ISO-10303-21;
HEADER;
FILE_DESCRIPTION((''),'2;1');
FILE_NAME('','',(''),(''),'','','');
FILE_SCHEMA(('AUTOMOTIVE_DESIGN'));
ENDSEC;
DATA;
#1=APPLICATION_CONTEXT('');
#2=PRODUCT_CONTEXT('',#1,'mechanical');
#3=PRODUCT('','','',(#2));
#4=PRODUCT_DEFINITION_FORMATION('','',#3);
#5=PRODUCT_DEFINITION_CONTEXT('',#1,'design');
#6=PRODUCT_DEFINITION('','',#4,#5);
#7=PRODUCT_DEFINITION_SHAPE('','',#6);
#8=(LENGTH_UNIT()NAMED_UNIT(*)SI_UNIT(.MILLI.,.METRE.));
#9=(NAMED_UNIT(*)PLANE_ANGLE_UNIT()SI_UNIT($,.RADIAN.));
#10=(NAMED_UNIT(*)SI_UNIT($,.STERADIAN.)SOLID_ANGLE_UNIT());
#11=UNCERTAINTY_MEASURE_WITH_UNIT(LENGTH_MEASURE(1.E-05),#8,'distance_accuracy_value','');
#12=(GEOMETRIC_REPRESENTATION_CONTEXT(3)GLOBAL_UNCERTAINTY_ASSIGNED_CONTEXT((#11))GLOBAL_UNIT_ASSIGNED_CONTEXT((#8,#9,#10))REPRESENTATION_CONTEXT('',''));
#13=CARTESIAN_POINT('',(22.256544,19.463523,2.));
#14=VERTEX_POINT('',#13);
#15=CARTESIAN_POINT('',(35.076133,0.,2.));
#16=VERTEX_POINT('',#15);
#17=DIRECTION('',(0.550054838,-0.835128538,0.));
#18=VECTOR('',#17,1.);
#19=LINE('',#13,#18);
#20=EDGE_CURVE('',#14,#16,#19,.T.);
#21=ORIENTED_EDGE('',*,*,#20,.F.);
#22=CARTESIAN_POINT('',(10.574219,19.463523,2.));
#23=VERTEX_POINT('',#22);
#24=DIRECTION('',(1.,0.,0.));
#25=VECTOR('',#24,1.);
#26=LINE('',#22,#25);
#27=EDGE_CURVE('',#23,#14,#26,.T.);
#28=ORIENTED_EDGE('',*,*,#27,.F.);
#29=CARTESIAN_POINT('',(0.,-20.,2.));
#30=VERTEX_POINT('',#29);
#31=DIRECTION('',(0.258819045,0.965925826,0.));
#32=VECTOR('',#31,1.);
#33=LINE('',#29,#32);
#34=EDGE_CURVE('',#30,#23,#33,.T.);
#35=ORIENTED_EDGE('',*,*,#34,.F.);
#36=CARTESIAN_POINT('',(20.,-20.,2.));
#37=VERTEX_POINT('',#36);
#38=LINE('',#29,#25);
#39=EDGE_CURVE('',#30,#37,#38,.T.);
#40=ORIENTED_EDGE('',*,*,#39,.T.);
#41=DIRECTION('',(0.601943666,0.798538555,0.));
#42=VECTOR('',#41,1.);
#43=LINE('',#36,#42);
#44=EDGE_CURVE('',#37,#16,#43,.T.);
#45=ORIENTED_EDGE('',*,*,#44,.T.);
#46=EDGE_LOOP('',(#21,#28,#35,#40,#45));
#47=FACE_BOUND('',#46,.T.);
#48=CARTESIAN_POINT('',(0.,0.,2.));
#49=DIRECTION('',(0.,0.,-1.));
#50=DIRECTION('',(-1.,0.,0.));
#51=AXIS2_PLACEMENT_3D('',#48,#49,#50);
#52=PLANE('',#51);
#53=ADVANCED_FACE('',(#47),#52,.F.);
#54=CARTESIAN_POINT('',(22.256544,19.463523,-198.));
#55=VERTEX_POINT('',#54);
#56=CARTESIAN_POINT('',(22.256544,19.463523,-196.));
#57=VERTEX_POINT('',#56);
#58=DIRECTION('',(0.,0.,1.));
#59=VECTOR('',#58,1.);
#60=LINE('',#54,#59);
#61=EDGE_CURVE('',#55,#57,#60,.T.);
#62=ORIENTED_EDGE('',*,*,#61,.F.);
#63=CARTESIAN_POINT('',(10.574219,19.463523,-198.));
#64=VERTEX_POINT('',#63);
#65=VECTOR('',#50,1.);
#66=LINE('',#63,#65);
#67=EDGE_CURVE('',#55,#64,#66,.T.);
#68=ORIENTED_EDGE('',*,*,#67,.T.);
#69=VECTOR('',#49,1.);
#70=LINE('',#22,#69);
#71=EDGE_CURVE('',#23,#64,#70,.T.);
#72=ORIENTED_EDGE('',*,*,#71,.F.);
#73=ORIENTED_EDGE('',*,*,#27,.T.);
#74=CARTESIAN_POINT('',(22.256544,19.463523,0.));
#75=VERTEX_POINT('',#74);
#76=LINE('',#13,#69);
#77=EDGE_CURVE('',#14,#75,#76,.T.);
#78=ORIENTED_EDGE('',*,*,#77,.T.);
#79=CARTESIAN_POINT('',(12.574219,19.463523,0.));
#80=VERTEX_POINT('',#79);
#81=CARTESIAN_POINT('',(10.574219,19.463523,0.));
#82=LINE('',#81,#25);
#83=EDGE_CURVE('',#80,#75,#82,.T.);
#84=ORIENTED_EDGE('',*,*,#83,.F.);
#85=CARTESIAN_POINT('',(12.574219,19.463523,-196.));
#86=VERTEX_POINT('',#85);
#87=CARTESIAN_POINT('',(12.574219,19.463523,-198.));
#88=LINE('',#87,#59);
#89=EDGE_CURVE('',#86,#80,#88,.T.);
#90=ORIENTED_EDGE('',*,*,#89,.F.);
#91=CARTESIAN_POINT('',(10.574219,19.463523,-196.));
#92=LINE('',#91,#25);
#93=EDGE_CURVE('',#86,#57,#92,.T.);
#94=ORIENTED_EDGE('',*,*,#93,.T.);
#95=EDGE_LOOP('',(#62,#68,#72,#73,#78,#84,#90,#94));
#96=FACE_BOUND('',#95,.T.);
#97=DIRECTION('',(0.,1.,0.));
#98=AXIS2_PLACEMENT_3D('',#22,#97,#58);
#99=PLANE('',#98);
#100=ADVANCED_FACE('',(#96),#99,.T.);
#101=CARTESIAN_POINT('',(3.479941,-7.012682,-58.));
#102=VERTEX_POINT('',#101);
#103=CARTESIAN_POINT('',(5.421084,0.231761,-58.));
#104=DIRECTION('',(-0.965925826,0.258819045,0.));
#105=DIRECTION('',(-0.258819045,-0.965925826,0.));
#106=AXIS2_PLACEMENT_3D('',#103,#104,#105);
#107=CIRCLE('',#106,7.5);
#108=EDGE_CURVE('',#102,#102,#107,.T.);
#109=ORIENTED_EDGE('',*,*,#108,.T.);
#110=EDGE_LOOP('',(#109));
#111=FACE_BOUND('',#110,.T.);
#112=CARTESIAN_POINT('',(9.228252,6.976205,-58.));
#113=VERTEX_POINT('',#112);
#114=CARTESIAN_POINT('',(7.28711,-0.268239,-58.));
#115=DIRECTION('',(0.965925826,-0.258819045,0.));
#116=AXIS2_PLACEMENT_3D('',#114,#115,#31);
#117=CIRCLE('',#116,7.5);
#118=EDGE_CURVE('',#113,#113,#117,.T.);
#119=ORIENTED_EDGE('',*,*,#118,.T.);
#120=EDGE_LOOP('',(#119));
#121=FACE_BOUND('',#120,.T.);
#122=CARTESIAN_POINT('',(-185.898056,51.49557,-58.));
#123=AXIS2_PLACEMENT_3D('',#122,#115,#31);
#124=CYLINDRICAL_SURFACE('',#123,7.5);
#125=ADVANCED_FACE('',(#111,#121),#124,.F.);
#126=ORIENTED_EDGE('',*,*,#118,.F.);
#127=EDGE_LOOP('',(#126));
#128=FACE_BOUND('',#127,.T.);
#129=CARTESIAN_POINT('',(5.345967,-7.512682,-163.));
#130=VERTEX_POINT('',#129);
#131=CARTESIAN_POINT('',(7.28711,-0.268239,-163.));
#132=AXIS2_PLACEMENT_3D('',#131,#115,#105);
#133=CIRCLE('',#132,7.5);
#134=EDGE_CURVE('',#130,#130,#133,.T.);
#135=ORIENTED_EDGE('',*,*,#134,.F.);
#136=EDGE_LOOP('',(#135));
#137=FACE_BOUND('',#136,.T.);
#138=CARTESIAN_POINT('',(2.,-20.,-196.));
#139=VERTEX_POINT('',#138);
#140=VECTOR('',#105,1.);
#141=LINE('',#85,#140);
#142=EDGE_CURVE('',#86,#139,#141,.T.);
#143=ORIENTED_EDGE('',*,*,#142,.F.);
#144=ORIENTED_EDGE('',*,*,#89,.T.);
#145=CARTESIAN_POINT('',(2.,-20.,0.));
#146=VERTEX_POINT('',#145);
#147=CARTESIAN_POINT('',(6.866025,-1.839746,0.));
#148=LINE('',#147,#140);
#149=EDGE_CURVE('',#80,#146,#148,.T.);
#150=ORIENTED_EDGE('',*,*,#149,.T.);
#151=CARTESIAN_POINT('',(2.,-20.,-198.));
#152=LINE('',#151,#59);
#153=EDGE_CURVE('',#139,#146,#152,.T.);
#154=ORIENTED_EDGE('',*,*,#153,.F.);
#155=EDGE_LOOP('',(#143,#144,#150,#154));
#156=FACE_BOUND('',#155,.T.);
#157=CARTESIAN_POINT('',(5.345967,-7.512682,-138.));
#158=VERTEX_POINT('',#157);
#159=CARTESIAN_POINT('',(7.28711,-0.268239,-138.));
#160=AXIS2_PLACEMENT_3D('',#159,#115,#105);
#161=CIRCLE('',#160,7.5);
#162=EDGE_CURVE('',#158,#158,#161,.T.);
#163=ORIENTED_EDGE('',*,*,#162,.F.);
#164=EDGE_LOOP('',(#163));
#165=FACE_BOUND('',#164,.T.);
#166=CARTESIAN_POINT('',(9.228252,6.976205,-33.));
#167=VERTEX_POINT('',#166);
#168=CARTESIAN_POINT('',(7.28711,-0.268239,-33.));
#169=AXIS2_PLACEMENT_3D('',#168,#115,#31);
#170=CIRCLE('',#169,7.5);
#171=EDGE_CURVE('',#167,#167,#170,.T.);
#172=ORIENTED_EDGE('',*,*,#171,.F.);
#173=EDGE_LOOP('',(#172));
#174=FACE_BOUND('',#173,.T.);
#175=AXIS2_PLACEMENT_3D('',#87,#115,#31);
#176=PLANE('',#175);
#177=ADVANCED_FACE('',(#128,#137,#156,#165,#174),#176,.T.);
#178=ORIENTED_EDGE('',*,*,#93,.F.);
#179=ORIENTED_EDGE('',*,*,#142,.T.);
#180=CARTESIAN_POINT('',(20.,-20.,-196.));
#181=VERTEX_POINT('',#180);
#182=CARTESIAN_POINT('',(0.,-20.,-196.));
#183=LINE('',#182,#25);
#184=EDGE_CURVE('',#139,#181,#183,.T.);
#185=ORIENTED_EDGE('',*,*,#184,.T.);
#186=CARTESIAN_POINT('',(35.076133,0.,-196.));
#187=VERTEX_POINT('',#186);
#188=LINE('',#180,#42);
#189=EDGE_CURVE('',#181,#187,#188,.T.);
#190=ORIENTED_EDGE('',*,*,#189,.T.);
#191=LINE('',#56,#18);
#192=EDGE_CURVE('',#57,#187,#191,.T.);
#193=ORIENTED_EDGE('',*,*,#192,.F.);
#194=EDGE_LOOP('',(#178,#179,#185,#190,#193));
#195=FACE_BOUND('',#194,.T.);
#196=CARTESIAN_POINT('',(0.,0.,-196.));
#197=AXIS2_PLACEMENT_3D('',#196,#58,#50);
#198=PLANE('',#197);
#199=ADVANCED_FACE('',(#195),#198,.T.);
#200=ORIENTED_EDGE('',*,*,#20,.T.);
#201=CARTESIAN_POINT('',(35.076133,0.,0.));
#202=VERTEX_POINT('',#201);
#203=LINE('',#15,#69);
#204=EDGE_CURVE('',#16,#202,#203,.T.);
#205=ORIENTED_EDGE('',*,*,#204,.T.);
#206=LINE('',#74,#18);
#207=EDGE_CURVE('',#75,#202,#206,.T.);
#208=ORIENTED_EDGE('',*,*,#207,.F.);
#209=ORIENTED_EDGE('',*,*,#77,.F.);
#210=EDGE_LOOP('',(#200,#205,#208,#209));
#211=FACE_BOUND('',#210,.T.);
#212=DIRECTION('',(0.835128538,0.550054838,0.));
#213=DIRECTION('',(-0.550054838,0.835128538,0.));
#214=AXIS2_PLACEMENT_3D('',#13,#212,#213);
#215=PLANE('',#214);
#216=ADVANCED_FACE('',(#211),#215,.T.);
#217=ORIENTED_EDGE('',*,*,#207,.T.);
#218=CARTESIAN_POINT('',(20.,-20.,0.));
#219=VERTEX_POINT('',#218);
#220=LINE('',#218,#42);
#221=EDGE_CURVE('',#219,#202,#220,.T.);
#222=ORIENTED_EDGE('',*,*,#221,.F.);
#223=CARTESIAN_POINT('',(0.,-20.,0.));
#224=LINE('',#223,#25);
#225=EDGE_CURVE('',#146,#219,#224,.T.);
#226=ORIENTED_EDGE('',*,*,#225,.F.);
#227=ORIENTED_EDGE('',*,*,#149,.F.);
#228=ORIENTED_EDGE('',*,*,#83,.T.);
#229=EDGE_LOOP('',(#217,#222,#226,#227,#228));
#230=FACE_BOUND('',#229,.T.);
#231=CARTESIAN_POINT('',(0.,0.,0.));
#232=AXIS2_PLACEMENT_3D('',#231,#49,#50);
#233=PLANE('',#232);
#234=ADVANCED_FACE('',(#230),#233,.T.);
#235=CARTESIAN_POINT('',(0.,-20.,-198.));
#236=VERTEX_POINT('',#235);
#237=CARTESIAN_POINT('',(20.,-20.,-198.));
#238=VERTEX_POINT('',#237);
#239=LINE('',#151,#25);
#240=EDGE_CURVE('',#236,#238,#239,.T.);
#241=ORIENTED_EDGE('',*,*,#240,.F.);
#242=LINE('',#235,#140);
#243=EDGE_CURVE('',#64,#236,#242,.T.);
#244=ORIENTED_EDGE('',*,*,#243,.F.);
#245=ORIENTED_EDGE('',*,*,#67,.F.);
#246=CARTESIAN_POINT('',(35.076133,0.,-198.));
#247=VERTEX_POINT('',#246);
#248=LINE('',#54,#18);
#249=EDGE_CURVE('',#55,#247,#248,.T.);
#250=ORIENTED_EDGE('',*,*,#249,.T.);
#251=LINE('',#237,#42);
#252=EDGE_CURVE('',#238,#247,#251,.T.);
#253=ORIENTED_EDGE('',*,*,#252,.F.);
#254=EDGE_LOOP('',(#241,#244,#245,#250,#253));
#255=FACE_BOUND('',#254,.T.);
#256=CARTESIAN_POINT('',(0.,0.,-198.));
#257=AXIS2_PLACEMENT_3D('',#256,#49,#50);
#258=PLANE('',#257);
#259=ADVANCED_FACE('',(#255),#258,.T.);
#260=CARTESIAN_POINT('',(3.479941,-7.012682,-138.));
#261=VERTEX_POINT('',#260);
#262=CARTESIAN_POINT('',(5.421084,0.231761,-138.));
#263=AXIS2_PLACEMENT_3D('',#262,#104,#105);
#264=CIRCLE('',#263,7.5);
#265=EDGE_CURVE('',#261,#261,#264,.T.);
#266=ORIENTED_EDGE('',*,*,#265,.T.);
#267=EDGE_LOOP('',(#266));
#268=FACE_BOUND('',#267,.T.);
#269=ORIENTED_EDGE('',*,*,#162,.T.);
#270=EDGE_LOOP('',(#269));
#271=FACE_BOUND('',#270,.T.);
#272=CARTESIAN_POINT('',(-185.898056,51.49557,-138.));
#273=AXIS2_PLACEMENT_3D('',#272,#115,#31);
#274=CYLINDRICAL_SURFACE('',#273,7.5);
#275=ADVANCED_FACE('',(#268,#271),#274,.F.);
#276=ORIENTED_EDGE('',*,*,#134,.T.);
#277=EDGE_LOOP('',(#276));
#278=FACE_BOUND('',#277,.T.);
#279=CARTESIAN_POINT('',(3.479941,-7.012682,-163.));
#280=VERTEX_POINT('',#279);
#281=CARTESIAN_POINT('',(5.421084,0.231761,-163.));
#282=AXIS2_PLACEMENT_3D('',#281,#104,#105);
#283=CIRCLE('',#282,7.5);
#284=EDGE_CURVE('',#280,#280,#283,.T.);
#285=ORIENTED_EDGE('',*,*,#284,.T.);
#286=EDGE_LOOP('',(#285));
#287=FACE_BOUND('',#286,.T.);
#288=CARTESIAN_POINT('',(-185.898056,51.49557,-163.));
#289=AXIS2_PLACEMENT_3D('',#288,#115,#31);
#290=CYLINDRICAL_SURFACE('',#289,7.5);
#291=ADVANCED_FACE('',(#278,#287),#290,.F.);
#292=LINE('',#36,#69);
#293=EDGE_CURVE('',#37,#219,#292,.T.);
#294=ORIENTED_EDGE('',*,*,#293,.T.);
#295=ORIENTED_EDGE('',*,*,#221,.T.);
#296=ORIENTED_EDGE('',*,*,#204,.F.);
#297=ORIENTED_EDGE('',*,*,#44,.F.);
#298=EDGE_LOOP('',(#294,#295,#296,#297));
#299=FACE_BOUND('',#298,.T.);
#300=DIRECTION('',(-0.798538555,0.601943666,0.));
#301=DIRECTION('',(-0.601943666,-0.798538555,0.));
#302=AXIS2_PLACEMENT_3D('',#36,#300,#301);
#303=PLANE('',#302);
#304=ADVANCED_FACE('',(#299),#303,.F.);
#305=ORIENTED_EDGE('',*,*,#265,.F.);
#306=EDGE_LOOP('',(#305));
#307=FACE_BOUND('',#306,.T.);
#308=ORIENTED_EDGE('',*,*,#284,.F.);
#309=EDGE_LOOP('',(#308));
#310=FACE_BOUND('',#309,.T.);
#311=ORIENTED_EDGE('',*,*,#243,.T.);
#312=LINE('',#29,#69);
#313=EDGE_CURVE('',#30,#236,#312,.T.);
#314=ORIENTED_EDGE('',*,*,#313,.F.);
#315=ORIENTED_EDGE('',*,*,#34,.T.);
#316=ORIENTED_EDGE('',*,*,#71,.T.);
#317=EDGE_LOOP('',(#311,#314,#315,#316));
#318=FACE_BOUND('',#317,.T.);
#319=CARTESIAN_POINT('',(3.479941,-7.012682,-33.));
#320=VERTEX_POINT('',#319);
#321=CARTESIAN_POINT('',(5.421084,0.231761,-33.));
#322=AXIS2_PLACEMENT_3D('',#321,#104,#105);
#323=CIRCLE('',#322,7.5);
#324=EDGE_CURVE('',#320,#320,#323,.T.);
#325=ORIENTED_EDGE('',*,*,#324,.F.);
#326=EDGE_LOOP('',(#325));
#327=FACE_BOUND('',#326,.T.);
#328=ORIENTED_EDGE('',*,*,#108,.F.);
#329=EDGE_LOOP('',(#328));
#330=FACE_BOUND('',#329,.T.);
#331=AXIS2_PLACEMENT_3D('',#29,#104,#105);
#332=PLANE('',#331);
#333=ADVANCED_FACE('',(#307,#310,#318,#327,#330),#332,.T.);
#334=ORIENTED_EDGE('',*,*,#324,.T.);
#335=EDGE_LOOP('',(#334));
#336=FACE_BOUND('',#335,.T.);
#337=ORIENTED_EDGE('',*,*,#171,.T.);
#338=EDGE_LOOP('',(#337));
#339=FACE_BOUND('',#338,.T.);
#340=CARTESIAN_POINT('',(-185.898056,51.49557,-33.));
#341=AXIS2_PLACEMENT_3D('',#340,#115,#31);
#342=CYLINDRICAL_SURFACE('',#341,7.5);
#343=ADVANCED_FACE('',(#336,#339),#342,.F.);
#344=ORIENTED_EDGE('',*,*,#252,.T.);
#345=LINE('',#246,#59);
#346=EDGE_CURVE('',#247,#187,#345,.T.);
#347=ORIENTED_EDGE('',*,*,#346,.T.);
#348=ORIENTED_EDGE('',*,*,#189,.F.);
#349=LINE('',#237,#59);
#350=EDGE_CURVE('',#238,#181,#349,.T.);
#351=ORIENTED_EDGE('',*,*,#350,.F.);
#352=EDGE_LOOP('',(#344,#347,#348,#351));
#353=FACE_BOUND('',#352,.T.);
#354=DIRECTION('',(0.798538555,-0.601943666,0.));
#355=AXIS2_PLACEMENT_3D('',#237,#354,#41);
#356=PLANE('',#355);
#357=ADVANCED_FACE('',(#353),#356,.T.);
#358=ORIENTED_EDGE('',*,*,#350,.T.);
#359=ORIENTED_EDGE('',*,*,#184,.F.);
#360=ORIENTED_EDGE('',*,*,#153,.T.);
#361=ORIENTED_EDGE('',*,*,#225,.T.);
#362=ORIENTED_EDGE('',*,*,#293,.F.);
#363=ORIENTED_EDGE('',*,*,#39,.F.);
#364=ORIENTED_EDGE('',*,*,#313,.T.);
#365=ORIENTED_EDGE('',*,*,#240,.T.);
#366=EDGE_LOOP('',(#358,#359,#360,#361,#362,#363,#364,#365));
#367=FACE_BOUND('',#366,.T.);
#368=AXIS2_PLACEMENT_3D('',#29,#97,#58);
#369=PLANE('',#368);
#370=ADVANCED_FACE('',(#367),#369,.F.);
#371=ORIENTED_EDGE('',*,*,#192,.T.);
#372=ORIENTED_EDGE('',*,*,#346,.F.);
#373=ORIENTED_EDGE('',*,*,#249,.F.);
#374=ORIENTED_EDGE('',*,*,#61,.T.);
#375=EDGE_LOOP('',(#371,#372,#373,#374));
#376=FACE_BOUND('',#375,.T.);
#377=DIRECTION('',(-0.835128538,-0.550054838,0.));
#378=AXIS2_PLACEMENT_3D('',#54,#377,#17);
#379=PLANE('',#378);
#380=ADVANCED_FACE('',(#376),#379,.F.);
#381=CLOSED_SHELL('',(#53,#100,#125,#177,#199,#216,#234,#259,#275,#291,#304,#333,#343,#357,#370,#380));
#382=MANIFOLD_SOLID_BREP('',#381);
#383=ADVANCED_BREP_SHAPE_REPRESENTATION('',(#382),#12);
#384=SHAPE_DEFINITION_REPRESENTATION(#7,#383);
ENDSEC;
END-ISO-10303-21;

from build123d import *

# Parameters (mm, degrees)
BOSS_EXTRUDE1_DEPTH = 2
BOSS_EXTRUDE2_DEPTH = 200
SKETCH3_R           = 7.5
CUT_EXTRUDE1_DEPTH  = 200


with BuildPart() as part:
    # Sketch1 → Boss-Extrude1 (new body)
    with BuildSketch(Plane.XY):
        Polygon((10.574219011, 19.4635226), (22.256543634, 19.4635226), (35.076132829, 0), (20, -20), (0, -20), align=None)
    boss_extrude1 = extrude(amount=BOSS_EXTRUDE1_DEPTH)

    # Sketch2 → Boss-Extrude2 (add)
    with BuildSketch(Plane.XY.offset(2)):
        Polygon((10.574219011, 19.4635226), (12.574219011, 19.4635226), (2, -20), (0, -20), align=None)
    extrude(amount=-BOSS_EXTRUDE2_DEPTH)

    # Mirror1: Boss-Extrude1 across plane
    add(boss_extrude1.mirror(Plane.XY.offset(-98)))

    # Sketch3 → Cut-Extrude1 (cut)
    with BuildSketch(Plane(origin=(6.866025404, -1.839745962, 0), x_dir=(0, 0, -1), z_dir=(0.9659258262890692, -0.25881904510251774, 0))):
        with Locations(Location((58, 1.626944036, 0), (0, 0, 90))):
            Circle(SKETCH3_R)
        with Locations(Location((33, 1.626944036, 0), (0, 0, 90))):
            Circle(SKETCH3_R)
        with Locations(Location((163, 1.626944036, 0), (0, 0, 270))):
            Circle(SKETCH3_R)
        with Locations(Location((138, 1.626944036, 0), (0, 0, 270))):
            Circle(SKETCH3_R)
    extrude(amount=-CUT_EXTRUDE1_DEPTH, mode=Mode.SUBTRACT)


solid = part.part
